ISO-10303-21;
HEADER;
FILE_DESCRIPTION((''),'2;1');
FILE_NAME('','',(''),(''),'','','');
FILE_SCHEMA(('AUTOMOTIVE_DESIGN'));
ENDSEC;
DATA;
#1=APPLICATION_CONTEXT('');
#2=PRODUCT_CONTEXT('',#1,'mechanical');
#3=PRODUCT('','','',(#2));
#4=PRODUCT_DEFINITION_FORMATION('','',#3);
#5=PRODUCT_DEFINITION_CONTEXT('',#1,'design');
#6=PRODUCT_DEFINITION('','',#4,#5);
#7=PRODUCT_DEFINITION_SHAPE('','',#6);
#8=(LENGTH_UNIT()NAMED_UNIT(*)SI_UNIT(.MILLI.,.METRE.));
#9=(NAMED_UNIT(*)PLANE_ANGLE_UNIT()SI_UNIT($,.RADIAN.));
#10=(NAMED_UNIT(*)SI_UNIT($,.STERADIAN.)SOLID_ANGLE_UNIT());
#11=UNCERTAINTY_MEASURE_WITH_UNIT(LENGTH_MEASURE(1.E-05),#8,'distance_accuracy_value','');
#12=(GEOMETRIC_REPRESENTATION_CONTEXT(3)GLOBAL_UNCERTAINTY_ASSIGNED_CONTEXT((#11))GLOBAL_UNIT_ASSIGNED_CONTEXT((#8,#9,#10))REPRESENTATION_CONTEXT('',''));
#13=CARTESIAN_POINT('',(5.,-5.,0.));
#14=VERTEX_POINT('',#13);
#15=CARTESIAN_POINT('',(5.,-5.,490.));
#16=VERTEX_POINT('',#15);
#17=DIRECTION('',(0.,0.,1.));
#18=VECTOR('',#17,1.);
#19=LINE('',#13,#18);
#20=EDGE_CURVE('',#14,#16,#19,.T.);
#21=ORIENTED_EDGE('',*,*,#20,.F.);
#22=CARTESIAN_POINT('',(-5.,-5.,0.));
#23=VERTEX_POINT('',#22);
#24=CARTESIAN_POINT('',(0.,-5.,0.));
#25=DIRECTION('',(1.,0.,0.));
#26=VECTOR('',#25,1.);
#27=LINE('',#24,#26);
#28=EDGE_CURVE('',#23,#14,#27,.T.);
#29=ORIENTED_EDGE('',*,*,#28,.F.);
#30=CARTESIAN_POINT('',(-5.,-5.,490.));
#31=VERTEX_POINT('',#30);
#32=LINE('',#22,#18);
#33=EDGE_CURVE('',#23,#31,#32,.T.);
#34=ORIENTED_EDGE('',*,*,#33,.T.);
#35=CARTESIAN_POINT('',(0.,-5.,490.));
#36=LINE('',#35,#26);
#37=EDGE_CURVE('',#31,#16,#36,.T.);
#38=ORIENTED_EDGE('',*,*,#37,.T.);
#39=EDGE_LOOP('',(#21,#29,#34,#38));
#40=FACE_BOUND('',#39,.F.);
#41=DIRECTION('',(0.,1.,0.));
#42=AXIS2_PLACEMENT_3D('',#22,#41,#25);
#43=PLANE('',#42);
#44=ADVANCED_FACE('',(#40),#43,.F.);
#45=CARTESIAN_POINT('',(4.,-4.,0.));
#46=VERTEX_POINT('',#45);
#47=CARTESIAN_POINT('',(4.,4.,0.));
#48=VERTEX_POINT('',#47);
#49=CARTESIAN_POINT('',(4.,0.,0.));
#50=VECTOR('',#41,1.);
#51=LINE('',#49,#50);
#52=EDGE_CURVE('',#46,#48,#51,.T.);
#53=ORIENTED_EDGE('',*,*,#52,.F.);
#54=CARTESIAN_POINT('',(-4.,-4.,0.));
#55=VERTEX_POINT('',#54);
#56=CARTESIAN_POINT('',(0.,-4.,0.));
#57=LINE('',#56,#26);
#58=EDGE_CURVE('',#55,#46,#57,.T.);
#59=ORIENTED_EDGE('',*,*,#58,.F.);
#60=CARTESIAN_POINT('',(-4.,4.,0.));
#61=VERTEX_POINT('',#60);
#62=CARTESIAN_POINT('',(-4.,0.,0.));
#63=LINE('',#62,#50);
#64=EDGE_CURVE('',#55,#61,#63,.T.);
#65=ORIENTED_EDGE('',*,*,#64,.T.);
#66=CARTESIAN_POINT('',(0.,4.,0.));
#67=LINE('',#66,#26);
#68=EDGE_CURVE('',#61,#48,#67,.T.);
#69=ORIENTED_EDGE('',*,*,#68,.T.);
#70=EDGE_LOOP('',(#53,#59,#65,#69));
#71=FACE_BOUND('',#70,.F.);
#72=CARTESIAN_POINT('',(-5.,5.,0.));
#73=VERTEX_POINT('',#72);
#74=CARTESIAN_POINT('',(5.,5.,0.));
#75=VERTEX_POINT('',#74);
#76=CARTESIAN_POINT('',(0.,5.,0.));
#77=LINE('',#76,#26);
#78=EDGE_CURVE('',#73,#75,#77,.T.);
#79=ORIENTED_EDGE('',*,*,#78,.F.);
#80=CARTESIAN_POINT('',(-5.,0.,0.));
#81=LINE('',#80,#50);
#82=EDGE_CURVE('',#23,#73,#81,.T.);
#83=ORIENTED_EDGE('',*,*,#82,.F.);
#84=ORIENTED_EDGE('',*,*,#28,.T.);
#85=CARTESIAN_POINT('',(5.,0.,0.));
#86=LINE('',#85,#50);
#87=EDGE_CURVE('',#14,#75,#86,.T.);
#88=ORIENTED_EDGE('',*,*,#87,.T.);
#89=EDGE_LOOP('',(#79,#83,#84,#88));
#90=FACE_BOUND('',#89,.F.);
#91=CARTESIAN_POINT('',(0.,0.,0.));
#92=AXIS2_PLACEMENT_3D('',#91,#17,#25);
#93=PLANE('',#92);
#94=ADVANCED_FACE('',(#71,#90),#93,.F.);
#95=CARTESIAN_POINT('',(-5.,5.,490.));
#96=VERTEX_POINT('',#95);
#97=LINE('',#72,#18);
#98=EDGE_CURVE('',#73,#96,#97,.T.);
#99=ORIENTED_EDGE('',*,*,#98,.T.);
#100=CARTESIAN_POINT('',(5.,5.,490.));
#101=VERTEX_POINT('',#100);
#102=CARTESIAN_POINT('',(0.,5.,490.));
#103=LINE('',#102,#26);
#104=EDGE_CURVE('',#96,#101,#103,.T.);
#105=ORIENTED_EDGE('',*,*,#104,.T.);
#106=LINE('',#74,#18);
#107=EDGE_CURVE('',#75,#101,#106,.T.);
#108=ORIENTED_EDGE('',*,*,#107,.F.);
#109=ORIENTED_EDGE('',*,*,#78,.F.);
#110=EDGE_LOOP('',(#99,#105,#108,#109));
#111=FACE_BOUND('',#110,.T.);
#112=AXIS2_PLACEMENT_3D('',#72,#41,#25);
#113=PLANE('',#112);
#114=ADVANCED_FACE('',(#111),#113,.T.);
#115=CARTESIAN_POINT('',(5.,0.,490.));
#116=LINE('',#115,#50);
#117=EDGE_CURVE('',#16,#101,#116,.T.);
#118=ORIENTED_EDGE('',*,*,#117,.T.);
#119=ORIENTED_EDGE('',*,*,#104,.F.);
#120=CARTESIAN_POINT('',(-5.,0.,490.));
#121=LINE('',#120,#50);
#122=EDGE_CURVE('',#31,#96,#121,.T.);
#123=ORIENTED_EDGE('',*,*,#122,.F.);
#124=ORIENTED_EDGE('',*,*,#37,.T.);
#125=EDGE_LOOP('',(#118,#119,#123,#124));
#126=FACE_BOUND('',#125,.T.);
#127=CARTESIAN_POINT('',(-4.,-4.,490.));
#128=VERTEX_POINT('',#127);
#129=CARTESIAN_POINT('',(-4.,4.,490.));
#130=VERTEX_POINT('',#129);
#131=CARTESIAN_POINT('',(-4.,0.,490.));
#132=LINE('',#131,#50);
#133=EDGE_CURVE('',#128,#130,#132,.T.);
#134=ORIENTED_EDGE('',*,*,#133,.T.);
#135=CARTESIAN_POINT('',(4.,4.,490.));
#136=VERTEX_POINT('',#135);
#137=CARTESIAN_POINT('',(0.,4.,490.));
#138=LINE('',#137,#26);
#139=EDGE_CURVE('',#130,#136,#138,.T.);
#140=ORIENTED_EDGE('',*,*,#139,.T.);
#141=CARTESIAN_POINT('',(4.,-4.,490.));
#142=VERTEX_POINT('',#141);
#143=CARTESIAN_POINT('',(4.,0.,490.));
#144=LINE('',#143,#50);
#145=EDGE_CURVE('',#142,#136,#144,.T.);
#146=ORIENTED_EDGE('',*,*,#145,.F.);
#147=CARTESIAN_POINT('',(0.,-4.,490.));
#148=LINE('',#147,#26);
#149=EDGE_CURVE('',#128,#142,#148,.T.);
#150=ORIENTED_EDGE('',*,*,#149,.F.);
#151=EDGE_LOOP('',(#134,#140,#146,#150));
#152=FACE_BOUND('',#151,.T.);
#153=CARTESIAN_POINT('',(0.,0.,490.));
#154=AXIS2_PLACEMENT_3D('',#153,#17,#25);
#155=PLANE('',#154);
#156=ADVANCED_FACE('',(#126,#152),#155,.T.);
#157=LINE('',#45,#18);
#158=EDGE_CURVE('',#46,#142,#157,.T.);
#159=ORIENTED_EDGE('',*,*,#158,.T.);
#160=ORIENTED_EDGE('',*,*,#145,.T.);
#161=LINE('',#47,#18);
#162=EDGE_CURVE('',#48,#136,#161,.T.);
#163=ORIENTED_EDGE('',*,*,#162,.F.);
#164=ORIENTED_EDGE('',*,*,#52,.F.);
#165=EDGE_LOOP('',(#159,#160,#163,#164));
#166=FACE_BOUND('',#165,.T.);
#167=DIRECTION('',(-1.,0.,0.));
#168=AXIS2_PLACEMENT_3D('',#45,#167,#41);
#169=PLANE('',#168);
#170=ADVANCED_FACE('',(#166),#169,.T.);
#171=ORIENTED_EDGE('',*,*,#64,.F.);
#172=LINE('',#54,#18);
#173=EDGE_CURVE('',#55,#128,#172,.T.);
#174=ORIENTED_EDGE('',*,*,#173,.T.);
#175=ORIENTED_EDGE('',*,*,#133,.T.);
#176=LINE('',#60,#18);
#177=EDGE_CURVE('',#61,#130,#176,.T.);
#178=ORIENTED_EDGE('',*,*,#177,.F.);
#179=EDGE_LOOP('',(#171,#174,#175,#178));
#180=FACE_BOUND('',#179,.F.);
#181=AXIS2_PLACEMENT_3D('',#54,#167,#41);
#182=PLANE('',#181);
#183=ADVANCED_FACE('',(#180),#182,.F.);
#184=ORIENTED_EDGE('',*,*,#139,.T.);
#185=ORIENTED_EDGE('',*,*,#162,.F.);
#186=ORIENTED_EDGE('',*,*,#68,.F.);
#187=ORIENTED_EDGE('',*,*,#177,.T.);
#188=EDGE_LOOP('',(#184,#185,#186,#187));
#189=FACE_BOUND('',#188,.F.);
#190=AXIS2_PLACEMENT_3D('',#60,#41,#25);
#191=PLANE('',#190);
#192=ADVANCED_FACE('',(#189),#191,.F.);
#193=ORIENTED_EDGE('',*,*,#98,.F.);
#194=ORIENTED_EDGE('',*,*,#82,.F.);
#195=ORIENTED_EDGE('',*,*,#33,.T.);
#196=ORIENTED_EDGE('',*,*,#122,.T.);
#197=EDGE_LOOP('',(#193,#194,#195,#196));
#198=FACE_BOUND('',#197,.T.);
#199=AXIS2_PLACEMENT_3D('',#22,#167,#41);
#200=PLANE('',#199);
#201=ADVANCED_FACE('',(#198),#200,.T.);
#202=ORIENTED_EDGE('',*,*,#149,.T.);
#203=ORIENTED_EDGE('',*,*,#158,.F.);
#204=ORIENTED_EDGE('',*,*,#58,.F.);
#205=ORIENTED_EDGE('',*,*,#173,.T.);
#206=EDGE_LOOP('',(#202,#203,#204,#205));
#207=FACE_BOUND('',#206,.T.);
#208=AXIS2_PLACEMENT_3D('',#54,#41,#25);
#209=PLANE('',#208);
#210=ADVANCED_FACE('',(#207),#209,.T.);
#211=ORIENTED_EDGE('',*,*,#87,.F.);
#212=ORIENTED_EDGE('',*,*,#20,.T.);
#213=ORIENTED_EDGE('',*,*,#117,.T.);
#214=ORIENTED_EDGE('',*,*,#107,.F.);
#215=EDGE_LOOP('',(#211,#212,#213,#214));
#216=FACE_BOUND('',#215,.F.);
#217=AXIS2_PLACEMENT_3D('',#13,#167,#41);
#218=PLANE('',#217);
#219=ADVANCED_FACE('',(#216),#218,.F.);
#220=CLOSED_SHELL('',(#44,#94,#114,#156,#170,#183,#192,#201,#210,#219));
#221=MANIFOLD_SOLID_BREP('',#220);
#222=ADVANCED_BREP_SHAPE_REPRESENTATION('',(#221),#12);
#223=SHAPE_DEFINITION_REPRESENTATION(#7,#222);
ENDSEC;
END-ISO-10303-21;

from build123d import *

# Parameters (mm, degrees)
SZKIC1_W                    = 10
SZKIC1_H                    = 10
SZKIC1_W_2                  = 8
SZKIC1_H_2                  = 8
DODANIE_WYCI_GNI_CIE1_DEPTH = 490


with BuildPart() as part:
    # Szkic1 → Dodanie-wyciągnięcie1 (new body)
    with BuildSketch(Plane.XY):
        Rectangle(SZKIC1_W, SZKIC1_H)
        Rectangle(SZKIC1_W_2, SZKIC1_H_2, mode=Mode.SUBTRACT)
    extrude(amount=DODANIE_WYCI_GNI_CIE1_DEPTH)


solid = part.part
